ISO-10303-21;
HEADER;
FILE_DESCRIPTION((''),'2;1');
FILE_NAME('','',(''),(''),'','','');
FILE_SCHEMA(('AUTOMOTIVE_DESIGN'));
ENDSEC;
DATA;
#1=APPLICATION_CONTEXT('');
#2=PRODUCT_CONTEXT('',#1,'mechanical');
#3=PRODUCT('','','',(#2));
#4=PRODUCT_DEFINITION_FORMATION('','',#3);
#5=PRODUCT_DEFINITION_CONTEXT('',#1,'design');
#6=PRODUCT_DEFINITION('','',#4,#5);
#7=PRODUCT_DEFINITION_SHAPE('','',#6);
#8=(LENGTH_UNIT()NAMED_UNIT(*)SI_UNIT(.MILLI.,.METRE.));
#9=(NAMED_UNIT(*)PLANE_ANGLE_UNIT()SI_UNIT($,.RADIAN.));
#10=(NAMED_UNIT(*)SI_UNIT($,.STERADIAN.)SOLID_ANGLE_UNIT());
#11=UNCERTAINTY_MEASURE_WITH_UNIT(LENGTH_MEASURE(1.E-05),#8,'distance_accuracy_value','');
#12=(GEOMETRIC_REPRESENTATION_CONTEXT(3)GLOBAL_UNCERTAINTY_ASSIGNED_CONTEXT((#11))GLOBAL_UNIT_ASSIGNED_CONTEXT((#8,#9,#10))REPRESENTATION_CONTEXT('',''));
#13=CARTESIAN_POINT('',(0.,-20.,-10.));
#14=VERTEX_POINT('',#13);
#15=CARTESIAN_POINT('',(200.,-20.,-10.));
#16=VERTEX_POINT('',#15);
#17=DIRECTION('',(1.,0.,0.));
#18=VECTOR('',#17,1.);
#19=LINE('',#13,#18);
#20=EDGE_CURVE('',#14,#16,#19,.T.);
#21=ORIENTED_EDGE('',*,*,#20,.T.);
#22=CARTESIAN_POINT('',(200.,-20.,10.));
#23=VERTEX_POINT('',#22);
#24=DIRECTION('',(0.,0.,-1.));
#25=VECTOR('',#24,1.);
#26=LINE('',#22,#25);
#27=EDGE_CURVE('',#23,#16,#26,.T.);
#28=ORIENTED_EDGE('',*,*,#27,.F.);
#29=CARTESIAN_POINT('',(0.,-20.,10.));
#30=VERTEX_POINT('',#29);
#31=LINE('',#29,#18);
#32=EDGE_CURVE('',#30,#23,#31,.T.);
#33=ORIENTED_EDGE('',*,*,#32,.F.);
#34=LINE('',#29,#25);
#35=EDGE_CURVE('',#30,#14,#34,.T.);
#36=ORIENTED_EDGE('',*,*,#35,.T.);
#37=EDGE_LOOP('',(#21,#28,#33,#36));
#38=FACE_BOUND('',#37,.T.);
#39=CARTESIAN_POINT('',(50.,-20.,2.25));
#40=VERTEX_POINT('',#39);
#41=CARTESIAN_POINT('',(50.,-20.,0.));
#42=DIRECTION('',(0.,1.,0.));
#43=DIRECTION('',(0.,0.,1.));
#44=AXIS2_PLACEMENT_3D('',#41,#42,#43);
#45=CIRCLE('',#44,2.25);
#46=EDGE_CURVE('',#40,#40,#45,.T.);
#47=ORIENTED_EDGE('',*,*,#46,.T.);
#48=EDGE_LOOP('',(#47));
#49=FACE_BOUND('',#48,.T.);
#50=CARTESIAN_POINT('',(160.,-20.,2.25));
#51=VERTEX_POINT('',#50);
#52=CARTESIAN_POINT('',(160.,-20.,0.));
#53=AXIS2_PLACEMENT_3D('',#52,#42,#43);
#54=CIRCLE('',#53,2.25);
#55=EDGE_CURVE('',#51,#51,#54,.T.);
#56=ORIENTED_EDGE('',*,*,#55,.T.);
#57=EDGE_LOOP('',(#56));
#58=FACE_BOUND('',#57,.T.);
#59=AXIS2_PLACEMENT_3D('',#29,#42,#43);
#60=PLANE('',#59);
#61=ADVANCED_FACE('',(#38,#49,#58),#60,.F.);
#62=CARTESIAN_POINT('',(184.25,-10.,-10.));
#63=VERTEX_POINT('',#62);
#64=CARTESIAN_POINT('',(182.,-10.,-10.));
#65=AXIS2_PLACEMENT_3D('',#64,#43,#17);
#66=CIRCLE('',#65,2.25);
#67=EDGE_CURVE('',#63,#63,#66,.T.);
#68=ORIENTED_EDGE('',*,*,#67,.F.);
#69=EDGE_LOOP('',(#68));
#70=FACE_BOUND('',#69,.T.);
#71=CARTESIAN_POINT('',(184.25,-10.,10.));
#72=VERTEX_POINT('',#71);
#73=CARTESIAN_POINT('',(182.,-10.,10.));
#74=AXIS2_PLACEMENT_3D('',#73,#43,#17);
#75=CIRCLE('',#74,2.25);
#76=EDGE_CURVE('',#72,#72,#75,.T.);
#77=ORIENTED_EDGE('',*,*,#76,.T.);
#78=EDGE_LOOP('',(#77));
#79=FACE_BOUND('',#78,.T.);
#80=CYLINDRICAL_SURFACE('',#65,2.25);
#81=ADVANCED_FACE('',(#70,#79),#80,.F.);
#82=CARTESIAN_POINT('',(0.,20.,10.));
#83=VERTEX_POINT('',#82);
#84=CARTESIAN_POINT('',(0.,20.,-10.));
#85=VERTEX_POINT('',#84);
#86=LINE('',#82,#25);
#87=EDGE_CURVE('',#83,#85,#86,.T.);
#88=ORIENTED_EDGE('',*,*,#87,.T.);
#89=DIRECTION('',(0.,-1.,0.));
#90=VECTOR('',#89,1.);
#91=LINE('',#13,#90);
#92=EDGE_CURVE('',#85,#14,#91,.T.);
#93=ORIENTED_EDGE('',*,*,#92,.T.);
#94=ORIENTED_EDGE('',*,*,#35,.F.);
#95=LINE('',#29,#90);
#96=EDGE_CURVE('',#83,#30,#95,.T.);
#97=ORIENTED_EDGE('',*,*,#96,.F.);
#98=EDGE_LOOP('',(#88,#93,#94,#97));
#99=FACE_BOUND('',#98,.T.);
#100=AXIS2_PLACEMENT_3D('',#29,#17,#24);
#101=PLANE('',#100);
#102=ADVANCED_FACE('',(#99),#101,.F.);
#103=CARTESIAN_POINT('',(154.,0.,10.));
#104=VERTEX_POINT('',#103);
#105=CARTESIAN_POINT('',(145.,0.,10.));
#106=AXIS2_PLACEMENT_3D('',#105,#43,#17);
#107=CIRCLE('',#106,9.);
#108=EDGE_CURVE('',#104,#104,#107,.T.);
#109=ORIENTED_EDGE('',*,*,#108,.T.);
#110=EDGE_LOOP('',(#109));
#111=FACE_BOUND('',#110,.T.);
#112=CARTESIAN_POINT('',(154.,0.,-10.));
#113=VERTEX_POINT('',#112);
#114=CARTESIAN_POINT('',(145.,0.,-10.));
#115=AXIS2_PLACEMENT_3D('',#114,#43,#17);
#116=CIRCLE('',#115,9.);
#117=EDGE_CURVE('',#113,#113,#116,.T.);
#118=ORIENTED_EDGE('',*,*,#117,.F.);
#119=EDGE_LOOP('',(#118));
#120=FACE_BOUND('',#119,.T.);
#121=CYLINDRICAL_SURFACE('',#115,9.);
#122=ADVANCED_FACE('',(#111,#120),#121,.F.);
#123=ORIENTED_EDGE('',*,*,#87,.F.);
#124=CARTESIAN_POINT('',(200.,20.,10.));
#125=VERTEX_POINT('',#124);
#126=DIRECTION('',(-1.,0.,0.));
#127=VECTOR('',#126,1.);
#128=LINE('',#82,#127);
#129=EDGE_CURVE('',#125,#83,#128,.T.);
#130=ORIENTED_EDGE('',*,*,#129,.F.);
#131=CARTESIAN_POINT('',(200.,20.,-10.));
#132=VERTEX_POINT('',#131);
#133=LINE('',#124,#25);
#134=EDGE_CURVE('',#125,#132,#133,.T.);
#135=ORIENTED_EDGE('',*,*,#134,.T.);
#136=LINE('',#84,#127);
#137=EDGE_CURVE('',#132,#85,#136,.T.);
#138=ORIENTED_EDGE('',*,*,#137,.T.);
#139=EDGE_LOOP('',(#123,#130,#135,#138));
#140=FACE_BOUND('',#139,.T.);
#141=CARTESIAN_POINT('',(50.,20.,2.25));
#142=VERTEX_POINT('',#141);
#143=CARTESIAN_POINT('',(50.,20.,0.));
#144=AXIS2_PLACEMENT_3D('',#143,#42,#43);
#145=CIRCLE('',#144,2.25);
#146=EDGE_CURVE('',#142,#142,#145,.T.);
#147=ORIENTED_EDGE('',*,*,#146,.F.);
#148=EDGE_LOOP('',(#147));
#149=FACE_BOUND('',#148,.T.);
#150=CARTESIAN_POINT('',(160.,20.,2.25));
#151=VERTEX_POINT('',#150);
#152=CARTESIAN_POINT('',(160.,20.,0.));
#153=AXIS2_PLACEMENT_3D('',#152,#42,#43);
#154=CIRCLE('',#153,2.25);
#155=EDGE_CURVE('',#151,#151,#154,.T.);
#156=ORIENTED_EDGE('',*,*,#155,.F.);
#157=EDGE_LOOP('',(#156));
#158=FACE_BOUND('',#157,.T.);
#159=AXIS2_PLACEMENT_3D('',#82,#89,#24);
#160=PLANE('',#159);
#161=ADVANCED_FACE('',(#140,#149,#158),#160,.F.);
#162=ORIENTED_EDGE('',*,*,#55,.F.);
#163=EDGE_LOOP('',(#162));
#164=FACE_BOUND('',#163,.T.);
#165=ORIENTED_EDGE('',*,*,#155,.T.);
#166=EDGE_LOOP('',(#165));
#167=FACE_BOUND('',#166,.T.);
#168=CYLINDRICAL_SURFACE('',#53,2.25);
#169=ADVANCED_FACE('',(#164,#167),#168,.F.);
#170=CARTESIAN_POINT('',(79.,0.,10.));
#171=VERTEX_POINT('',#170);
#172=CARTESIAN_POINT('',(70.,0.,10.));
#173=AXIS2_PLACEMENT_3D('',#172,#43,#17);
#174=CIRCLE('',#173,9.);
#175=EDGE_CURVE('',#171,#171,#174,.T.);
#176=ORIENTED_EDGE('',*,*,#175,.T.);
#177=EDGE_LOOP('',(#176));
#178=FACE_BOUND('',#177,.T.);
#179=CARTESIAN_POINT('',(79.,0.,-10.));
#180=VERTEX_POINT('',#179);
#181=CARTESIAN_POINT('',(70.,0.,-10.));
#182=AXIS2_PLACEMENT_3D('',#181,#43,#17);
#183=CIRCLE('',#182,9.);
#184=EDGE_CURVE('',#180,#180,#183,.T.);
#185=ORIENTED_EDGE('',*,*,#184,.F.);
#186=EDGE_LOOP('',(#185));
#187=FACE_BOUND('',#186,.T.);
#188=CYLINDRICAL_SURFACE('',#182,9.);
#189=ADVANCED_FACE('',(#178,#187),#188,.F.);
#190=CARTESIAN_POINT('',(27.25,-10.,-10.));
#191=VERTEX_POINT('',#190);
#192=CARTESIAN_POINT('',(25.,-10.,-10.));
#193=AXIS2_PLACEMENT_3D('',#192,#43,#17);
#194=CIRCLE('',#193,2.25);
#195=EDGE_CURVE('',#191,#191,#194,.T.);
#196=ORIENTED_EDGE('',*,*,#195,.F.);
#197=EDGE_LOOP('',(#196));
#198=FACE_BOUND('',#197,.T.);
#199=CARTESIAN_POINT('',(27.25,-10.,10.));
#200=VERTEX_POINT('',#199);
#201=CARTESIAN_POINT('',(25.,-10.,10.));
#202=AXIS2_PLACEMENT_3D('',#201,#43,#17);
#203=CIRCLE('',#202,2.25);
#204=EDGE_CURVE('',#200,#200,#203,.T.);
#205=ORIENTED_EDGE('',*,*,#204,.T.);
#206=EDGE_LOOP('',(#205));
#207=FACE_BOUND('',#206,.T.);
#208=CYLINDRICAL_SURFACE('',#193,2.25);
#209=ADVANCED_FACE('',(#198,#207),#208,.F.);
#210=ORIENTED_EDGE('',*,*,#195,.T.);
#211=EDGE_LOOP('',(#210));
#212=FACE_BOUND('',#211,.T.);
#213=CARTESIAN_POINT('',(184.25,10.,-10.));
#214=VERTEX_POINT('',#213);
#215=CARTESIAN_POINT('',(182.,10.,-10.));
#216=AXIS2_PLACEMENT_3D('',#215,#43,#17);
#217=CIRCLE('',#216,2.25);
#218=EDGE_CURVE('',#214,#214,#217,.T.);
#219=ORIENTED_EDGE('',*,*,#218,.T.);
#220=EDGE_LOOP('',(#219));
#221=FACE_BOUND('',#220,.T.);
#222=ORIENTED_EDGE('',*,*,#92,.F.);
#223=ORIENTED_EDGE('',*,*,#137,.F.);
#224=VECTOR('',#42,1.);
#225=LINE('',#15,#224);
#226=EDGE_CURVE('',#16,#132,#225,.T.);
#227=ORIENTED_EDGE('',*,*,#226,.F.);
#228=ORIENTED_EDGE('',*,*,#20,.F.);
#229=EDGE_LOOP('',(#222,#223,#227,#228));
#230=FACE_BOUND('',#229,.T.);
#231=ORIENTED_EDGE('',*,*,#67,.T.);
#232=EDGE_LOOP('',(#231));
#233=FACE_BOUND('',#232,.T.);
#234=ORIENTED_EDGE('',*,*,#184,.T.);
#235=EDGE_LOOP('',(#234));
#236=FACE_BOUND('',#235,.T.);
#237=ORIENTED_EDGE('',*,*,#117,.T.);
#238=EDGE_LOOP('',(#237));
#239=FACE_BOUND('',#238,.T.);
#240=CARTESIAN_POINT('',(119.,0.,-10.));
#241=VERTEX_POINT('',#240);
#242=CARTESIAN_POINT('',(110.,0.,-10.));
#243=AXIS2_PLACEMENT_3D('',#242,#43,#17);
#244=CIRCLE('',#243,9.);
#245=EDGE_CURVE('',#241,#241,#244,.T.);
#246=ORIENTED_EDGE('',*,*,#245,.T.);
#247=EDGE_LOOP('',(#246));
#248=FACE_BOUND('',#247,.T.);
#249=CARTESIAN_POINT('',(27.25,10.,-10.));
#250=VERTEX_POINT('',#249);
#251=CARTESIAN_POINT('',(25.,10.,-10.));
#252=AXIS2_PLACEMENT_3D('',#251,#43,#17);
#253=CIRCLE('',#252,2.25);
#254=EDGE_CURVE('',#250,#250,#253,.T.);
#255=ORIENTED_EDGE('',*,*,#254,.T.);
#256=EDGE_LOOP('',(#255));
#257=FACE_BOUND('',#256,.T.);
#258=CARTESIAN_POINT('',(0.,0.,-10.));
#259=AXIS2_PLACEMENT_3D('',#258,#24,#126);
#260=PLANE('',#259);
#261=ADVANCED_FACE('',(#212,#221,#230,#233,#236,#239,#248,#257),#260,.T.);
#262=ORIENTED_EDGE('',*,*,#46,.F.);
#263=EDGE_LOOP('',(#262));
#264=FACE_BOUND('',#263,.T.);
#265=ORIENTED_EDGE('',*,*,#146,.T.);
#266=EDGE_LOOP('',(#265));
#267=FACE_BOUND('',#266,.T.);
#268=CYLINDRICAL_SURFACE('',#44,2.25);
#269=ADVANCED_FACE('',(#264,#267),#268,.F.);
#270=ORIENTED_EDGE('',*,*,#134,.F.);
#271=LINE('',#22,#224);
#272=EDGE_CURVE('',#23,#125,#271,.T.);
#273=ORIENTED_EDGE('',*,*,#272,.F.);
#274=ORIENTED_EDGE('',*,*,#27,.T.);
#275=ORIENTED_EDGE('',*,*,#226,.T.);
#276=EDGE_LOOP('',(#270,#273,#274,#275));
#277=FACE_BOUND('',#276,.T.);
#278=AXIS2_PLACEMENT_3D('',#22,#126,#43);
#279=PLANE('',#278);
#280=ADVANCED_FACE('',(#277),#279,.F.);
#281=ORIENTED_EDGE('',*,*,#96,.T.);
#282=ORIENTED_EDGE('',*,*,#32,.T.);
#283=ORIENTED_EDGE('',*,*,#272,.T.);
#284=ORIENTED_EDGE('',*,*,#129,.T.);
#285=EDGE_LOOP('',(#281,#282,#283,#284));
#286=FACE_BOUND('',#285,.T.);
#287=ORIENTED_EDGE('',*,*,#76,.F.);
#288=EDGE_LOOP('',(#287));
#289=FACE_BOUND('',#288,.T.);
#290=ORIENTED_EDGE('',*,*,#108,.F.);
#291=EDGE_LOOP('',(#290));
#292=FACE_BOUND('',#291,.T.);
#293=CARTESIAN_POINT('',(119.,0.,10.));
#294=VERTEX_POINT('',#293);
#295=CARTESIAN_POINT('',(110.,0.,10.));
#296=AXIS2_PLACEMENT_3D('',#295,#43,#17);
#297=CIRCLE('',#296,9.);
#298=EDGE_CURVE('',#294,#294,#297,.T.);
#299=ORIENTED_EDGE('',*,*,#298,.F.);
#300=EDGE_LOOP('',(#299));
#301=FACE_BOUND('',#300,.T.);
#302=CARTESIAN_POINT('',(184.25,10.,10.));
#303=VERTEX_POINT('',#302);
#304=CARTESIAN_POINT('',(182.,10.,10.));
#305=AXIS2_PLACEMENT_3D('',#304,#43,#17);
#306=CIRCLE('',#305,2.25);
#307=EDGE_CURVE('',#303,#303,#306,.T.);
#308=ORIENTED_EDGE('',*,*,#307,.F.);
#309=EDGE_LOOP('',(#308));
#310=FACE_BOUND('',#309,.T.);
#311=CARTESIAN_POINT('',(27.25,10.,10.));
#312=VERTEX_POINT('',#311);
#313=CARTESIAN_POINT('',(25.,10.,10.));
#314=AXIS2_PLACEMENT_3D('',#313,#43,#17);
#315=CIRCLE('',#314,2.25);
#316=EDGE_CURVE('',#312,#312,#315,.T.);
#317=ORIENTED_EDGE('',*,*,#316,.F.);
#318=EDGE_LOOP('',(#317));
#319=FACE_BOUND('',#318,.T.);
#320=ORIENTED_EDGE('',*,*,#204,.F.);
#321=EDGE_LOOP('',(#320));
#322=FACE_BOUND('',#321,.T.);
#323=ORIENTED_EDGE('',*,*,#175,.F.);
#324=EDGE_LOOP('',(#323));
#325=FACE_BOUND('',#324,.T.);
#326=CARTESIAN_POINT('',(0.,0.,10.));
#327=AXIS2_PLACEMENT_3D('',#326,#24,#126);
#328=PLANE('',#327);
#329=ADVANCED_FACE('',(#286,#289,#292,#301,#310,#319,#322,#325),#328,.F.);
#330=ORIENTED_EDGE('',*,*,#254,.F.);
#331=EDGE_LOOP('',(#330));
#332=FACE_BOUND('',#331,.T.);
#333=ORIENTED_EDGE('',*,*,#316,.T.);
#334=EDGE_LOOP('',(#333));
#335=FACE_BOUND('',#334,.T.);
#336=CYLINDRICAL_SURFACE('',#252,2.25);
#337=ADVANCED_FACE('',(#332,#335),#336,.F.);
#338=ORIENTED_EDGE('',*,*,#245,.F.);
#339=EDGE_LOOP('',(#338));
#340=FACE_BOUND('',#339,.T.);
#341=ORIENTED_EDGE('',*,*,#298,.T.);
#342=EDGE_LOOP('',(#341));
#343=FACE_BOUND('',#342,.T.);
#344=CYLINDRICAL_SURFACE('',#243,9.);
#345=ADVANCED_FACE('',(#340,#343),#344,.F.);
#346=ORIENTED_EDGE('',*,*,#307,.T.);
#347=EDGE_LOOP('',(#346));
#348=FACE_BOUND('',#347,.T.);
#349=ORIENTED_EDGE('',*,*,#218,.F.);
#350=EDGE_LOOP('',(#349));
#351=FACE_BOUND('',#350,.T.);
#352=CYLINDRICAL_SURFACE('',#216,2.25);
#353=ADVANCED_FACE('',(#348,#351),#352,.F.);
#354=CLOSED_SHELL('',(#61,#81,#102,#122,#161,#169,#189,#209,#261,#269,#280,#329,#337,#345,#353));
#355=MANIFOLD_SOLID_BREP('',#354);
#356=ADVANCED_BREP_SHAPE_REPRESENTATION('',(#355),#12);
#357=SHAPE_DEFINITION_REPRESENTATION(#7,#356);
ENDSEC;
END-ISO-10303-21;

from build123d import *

# Parameters (mm, degrees)
F_200X40X20_START          = -10
SKETCH_1_W                 = 200
SKETCH_1_H                 = 40
F_200X40X20_DEPTH          = 20
CUT_EXTRUDE_321_DEPTH      = 202.246117975
CUT_EXTRUDE_321_DEPTH_BACK = 202.246117975
SKETCH_2_R                 = 9
SKETCH_2_R_2               = 2.25
CUT_EXTRUDE_M4_DEPTH       = 202.246117975
CUT_EXTRUDE_M4_DEPTH_BACK  = 202.246117975
SKETCH_3_R                 = 2.25


with BuildPart() as part:
    # 草图1 → 前臂200x40x20 (new body)
    with BuildSketch(Plane.XY.offset(F_200X40X20_START)):
        with Locations((100, 0)):
            Rectangle(SKETCH_1_W, SKETCH_1_H)
    extrude(amount=F_200X40X20_DEPTH)

    # 草图2 → Cut-Extrude 321 (cut, two sides: drawn at the far end of the back side and taken through both)
    with BuildSketch(Plane.XY.offset(-CUT_EXTRUDE_321_DEPTH_BACK)):
        with Locations((70, 0)):
            Circle(SKETCH_2_R)
        with Locations((110, 0)):
            Circle(SKETCH_2_R)
        with Locations((145, 0)):
            Circle(SKETCH_2_R)
        with Locations((25, -10)):
            Circle(SKETCH_2_R_2)
        with Locations((25, 10)):
            Circle(SKETCH_2_R_2)
        with Locations((182, -10)):
            Circle(SKETCH_2_R_2)
        with Locations((182, 10)):
            Circle(SKETCH_2_R_2)
    extrude(amount=CUT_EXTRUDE_321_DEPTH + CUT_EXTRUDE_321_DEPTH_BACK, mode=Mode.SUBTRACT)

    # 草图3 → 主板托盘竖向M4 (cut, two sides: drawn at the far end of the back side and taken through both)
    with BuildSketch(Plane(origin=(0, 0, 0), x_dir=(1, 0, 0), z_dir=(0, 1, 0)).offset(-CUT_EXTRUDE_M4_DEPTH_BACK)):
        with Locations(Location((50, 0, 0), (0, 0, 270))):
            Circle(SKETCH_3_R)
        with Locations(Location((160, 0, 0), (0, 0, 270))):
            Circle(SKETCH_3_R)
    extrude(amount=CUT_EXTRUDE_M4_DEPTH + CUT_EXTRUDE_M4_DEPTH_BACK, mode=Mode.SUBTRACT)


solid = part.part
